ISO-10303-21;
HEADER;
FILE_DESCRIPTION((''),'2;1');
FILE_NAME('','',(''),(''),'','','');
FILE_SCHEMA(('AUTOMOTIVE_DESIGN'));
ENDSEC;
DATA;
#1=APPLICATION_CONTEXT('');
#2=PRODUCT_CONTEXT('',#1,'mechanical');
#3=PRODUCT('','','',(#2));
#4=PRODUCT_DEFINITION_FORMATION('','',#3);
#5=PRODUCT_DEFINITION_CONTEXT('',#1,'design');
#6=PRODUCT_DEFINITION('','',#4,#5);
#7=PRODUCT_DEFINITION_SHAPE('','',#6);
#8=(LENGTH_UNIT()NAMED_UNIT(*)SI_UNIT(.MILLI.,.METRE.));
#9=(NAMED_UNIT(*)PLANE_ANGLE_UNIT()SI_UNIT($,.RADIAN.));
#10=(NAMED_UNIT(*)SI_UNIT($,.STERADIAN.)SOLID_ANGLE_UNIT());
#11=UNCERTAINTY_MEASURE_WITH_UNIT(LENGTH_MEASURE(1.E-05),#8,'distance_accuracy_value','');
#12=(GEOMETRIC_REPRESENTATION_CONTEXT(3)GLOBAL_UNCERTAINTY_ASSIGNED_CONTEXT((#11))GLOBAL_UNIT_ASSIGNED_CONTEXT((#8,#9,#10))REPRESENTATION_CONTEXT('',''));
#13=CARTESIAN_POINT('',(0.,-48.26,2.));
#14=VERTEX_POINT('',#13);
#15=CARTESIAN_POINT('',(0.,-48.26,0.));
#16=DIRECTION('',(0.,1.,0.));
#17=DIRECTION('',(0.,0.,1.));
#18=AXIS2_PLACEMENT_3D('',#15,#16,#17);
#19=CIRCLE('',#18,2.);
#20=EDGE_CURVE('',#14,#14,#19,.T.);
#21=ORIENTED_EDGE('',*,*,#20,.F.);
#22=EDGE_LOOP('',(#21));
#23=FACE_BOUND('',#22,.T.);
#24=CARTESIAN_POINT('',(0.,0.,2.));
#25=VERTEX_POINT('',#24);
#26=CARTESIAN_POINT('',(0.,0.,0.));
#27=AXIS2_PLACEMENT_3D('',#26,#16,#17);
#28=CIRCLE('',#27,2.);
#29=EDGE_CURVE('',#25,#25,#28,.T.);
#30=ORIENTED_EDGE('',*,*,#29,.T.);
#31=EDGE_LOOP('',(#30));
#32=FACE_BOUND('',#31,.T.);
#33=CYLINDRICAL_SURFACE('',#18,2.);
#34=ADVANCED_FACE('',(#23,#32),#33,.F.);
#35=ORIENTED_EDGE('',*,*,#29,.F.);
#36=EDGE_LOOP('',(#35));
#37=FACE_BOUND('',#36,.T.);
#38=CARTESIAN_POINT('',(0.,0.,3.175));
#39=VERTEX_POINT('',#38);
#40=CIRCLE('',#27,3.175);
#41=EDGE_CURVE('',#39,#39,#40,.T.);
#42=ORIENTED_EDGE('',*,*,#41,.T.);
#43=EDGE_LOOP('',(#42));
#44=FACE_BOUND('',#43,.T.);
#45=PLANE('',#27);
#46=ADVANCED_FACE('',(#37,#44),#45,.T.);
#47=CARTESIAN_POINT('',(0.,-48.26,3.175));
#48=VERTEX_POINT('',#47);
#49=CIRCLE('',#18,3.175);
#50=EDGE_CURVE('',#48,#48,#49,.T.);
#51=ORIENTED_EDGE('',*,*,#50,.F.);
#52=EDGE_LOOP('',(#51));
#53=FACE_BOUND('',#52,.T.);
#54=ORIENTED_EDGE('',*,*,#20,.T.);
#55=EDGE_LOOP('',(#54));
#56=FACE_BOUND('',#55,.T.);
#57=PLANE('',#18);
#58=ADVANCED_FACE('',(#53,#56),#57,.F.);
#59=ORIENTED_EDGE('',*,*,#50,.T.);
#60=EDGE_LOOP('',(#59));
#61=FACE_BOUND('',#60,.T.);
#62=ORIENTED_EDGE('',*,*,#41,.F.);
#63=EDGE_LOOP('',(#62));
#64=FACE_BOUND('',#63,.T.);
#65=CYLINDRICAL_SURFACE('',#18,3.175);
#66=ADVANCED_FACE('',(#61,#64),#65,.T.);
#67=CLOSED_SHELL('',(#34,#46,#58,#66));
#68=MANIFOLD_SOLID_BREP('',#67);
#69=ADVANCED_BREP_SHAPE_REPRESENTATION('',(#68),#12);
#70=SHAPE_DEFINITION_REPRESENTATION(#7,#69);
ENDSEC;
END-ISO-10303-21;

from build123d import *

# Parameters (mm, degrees)
SKETCH1_R           = 3.175
SKETCH1_R_2         = 2
BOSS_EXTRUDE1_DEPTH = 48.26


with BuildPart() as part:
    # Sketch1 → Boss-Extrude1 (new body)
    with BuildSketch(Plane(origin=(0, 0, 0), x_dir=(1, 0, 0), z_dir=(0, 1, 0))):
        with Locations(Location((0, 0, 0), (0, 0, 270))):
            Circle(SKETCH1_R)
        with Locations(Location((0, 0, 0), (0, 0, 270))):
            Circle(SKETCH1_R_2, mode=Mode.SUBTRACT)
    extrude(amount=-BOSS_EXTRUDE1_DEPTH)


solid = part.part
